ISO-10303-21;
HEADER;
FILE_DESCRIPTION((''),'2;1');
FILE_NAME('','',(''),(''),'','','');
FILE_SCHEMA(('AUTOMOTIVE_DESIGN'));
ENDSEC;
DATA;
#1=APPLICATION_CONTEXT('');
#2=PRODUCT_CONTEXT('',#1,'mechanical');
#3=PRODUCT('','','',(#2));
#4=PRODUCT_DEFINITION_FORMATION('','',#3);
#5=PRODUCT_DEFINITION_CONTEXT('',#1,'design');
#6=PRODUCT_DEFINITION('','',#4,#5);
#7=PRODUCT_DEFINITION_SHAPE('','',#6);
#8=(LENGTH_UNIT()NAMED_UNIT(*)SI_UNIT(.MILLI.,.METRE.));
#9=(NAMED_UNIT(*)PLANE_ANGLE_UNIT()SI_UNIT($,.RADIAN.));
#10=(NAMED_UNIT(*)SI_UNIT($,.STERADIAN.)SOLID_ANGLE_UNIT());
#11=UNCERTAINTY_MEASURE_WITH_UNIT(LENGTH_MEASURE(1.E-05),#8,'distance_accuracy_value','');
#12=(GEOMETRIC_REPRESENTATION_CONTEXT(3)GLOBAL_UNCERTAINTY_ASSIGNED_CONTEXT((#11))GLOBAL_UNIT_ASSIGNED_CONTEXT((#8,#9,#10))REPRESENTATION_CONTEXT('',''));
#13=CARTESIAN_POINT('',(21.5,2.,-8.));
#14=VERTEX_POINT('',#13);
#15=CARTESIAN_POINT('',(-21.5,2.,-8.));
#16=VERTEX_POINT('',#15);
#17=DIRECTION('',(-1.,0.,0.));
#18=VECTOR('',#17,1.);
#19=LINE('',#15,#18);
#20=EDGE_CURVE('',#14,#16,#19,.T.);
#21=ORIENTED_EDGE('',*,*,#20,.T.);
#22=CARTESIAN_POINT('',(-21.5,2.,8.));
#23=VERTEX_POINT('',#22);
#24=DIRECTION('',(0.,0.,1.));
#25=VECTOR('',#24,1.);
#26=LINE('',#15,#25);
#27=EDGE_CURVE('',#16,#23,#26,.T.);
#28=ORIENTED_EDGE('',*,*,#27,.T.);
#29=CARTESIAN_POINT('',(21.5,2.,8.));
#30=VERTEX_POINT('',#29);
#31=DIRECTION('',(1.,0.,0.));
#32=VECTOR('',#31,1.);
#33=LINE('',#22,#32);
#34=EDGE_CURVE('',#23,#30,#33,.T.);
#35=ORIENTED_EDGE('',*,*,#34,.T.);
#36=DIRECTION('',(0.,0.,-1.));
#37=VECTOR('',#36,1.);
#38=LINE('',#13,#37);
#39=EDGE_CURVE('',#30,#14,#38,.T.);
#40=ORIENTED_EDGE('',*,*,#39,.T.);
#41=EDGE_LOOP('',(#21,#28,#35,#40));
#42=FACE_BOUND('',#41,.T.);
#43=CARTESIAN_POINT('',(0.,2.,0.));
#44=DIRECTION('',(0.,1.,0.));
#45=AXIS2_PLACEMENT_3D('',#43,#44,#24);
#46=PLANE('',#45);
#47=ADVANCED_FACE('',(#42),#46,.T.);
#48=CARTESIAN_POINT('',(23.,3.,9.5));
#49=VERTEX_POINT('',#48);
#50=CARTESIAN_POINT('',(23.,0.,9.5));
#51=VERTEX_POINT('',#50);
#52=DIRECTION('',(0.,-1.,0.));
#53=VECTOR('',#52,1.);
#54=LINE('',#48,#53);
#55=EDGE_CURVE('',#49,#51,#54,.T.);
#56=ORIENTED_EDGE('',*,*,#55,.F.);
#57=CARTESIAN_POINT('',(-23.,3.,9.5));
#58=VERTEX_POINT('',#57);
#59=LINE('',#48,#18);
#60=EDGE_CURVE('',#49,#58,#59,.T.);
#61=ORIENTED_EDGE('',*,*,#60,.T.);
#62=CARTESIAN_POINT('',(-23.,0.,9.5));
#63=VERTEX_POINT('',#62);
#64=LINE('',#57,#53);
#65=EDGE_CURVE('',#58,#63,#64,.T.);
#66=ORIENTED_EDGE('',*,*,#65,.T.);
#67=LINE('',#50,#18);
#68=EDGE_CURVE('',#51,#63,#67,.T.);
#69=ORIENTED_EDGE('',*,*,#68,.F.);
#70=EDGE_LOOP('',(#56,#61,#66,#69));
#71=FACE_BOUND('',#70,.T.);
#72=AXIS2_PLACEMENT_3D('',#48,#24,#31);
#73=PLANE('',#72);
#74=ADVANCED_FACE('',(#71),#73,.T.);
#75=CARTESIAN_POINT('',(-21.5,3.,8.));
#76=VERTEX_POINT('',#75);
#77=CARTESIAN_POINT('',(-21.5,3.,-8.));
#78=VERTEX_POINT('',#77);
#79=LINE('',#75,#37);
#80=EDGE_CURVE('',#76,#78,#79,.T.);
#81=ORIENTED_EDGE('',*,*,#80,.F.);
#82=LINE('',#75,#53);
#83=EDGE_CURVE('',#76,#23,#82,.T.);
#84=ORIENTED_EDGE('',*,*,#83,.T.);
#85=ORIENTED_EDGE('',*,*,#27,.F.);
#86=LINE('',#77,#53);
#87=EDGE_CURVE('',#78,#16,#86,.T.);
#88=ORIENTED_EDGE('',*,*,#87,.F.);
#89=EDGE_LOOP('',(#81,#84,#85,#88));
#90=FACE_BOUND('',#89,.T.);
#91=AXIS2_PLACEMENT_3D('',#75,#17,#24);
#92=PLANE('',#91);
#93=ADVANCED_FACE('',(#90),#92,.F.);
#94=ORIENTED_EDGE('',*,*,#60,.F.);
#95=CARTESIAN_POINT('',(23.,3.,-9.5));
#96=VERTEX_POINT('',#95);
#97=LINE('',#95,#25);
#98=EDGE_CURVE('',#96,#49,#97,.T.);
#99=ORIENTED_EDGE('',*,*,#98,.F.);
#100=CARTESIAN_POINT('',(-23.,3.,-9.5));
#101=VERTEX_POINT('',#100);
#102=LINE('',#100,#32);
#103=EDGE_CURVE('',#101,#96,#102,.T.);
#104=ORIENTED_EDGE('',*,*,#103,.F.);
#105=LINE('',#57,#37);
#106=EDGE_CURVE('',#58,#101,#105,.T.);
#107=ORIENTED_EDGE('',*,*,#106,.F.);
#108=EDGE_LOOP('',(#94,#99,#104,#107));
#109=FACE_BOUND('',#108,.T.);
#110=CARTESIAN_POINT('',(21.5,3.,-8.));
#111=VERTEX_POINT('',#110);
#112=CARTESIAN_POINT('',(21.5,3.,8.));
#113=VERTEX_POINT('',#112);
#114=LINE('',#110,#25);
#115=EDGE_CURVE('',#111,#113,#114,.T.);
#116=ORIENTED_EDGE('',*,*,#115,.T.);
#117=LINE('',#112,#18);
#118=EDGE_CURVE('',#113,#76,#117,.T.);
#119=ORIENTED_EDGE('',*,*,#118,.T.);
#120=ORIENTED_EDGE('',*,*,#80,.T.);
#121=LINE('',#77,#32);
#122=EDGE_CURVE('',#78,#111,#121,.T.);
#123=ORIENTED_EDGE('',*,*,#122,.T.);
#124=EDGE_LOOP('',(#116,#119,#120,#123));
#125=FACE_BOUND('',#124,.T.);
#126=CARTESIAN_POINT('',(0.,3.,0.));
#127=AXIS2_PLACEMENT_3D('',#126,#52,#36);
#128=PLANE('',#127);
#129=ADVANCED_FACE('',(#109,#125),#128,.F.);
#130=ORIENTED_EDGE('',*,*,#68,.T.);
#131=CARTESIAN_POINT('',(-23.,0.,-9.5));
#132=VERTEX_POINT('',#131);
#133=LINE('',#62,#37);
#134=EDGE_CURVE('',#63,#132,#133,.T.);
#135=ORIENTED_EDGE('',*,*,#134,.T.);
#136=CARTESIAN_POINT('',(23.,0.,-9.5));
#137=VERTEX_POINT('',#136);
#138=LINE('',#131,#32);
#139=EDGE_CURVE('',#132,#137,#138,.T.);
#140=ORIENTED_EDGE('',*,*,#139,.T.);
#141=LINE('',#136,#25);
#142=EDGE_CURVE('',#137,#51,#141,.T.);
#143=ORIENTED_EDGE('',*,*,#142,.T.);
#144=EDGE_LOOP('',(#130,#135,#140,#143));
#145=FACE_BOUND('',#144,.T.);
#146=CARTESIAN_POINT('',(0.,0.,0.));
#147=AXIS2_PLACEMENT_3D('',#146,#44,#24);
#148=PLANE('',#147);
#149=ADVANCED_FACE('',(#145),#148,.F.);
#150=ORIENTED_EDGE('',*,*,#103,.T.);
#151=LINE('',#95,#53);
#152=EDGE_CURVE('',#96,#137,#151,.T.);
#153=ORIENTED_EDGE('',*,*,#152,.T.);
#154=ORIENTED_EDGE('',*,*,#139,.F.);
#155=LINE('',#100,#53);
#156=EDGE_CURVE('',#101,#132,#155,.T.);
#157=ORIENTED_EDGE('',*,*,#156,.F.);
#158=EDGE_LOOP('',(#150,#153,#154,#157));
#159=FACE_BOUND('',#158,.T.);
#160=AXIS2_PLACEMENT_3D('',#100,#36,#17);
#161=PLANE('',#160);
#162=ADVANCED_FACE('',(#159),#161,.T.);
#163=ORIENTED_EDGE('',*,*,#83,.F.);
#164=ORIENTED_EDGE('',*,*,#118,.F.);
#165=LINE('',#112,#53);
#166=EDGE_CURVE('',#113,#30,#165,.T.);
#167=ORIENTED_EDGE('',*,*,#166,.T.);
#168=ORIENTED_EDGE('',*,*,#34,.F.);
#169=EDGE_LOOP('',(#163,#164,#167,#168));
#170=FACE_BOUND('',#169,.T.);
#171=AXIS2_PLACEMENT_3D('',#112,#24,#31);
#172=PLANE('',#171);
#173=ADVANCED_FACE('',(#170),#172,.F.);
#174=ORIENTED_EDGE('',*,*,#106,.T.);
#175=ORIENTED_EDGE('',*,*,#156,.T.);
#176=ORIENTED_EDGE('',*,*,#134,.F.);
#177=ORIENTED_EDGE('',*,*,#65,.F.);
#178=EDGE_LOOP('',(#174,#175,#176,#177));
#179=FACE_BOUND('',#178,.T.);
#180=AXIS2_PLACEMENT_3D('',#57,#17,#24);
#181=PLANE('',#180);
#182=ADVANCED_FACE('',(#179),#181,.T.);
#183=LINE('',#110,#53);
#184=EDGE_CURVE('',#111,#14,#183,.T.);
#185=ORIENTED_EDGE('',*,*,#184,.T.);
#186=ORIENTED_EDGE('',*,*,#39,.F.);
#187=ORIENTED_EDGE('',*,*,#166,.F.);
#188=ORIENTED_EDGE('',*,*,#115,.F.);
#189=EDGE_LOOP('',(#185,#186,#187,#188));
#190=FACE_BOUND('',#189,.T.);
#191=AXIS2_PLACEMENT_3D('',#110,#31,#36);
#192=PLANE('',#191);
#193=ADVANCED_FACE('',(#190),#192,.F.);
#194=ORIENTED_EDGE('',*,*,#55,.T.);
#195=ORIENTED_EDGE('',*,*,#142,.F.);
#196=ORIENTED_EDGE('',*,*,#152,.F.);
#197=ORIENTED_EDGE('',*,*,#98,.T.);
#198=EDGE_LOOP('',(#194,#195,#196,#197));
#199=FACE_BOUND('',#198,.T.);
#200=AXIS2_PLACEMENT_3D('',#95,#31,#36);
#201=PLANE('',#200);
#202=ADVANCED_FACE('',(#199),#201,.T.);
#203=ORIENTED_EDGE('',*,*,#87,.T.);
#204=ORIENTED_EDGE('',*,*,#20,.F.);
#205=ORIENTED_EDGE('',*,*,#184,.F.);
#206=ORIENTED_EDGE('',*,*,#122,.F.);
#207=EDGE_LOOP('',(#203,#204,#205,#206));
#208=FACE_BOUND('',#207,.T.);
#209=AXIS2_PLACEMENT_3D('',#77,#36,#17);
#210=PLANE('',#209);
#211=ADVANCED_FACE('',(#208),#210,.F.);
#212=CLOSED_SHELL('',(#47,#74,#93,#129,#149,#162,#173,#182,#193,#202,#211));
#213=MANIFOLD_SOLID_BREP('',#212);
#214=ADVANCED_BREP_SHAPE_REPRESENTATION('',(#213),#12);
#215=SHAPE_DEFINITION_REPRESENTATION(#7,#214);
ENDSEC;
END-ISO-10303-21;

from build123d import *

# Parameters (mm, degrees)
SKETCH1_W           = 43
SKETCH1_H           = 16
BOSS_EXTRUDE1_DEPTH = 2
SKETCH2_W           = 46
SKETCH2_H           = 19
SKETCH2_W_2         = 43
SKETCH2_H_2         = 16
BOSS_EXTRUDE4_DEPTH = 3


with BuildPart() as part:
    # Sketch1 → Boss-Extrude1 (new body)
    with BuildSketch(Plane(origin=(0, 0, 0), x_dir=(1, 0, 0), z_dir=(0, 1, 0))):
        Rectangle(SKETCH1_W, SKETCH1_H)
    extrude(amount=BOSS_EXTRUDE1_DEPTH)

    # Sketch2 → Boss-Extrude4 (add)
    with BuildSketch(Plane.XZ):
        Rectangle(SKETCH2_W, SKETCH2_H)
        Rectangle(SKETCH2_W_2, SKETCH2_H_2, mode=Mode.SUBTRACT)
    extrude(amount=-BOSS_EXTRUDE4_DEPTH)


solid = part.part
